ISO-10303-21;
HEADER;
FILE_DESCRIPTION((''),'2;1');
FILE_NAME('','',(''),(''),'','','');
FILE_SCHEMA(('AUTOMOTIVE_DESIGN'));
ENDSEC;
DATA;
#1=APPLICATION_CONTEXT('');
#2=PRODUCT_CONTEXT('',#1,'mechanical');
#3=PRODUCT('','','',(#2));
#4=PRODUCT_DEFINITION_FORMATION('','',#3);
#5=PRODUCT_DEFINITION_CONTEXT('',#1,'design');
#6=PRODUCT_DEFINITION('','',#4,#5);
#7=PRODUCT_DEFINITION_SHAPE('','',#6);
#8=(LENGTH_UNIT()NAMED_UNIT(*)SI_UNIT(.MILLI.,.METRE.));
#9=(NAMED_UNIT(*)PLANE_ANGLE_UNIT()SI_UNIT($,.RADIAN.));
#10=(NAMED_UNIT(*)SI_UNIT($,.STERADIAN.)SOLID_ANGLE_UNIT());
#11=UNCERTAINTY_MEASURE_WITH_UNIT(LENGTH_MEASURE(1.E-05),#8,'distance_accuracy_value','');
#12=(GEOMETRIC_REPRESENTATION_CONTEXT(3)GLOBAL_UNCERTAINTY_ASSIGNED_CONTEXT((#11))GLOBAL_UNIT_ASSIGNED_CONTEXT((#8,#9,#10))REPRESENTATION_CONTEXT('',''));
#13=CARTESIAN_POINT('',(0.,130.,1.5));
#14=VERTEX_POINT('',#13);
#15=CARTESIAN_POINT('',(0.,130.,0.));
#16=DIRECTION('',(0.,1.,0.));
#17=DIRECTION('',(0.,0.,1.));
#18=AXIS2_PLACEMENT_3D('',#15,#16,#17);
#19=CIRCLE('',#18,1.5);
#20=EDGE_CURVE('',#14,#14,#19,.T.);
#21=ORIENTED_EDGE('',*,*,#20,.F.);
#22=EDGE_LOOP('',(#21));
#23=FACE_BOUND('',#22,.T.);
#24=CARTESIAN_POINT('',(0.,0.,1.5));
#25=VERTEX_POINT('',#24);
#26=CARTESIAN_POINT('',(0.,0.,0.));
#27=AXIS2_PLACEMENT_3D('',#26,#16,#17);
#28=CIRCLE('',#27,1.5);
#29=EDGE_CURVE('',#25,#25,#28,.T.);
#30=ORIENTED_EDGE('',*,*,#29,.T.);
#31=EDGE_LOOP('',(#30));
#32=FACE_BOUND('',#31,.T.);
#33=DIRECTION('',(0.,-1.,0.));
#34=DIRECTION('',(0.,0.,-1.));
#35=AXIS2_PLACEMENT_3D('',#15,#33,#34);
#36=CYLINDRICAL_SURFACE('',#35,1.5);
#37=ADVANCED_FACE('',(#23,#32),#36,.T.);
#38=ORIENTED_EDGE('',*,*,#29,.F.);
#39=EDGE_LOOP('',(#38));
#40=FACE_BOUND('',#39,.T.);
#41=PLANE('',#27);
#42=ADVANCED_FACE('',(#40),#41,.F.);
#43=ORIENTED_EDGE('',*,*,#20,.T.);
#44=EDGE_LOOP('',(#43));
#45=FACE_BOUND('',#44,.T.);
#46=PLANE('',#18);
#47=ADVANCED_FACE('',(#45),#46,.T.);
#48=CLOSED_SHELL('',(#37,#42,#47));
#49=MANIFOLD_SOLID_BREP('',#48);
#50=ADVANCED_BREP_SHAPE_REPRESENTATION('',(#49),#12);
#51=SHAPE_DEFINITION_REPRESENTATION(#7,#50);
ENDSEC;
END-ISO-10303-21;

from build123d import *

# Parameters (mm, degrees)
ESQUISSE1_R        = 1.5
BOSS_EXTRU_1_DEPTH = 130


with BuildPart() as part:
    # Esquisse1 → Boss.-Extru.1 (new body)
    with BuildSketch(Plane(origin=(0, 0, 0), x_dir=(1, 0, 0), z_dir=(0, 1, 0))):
        Circle(ESQUISSE1_R)
    extrude(amount=BOSS_EXTRU_1_DEPTH)


solid = part.part
